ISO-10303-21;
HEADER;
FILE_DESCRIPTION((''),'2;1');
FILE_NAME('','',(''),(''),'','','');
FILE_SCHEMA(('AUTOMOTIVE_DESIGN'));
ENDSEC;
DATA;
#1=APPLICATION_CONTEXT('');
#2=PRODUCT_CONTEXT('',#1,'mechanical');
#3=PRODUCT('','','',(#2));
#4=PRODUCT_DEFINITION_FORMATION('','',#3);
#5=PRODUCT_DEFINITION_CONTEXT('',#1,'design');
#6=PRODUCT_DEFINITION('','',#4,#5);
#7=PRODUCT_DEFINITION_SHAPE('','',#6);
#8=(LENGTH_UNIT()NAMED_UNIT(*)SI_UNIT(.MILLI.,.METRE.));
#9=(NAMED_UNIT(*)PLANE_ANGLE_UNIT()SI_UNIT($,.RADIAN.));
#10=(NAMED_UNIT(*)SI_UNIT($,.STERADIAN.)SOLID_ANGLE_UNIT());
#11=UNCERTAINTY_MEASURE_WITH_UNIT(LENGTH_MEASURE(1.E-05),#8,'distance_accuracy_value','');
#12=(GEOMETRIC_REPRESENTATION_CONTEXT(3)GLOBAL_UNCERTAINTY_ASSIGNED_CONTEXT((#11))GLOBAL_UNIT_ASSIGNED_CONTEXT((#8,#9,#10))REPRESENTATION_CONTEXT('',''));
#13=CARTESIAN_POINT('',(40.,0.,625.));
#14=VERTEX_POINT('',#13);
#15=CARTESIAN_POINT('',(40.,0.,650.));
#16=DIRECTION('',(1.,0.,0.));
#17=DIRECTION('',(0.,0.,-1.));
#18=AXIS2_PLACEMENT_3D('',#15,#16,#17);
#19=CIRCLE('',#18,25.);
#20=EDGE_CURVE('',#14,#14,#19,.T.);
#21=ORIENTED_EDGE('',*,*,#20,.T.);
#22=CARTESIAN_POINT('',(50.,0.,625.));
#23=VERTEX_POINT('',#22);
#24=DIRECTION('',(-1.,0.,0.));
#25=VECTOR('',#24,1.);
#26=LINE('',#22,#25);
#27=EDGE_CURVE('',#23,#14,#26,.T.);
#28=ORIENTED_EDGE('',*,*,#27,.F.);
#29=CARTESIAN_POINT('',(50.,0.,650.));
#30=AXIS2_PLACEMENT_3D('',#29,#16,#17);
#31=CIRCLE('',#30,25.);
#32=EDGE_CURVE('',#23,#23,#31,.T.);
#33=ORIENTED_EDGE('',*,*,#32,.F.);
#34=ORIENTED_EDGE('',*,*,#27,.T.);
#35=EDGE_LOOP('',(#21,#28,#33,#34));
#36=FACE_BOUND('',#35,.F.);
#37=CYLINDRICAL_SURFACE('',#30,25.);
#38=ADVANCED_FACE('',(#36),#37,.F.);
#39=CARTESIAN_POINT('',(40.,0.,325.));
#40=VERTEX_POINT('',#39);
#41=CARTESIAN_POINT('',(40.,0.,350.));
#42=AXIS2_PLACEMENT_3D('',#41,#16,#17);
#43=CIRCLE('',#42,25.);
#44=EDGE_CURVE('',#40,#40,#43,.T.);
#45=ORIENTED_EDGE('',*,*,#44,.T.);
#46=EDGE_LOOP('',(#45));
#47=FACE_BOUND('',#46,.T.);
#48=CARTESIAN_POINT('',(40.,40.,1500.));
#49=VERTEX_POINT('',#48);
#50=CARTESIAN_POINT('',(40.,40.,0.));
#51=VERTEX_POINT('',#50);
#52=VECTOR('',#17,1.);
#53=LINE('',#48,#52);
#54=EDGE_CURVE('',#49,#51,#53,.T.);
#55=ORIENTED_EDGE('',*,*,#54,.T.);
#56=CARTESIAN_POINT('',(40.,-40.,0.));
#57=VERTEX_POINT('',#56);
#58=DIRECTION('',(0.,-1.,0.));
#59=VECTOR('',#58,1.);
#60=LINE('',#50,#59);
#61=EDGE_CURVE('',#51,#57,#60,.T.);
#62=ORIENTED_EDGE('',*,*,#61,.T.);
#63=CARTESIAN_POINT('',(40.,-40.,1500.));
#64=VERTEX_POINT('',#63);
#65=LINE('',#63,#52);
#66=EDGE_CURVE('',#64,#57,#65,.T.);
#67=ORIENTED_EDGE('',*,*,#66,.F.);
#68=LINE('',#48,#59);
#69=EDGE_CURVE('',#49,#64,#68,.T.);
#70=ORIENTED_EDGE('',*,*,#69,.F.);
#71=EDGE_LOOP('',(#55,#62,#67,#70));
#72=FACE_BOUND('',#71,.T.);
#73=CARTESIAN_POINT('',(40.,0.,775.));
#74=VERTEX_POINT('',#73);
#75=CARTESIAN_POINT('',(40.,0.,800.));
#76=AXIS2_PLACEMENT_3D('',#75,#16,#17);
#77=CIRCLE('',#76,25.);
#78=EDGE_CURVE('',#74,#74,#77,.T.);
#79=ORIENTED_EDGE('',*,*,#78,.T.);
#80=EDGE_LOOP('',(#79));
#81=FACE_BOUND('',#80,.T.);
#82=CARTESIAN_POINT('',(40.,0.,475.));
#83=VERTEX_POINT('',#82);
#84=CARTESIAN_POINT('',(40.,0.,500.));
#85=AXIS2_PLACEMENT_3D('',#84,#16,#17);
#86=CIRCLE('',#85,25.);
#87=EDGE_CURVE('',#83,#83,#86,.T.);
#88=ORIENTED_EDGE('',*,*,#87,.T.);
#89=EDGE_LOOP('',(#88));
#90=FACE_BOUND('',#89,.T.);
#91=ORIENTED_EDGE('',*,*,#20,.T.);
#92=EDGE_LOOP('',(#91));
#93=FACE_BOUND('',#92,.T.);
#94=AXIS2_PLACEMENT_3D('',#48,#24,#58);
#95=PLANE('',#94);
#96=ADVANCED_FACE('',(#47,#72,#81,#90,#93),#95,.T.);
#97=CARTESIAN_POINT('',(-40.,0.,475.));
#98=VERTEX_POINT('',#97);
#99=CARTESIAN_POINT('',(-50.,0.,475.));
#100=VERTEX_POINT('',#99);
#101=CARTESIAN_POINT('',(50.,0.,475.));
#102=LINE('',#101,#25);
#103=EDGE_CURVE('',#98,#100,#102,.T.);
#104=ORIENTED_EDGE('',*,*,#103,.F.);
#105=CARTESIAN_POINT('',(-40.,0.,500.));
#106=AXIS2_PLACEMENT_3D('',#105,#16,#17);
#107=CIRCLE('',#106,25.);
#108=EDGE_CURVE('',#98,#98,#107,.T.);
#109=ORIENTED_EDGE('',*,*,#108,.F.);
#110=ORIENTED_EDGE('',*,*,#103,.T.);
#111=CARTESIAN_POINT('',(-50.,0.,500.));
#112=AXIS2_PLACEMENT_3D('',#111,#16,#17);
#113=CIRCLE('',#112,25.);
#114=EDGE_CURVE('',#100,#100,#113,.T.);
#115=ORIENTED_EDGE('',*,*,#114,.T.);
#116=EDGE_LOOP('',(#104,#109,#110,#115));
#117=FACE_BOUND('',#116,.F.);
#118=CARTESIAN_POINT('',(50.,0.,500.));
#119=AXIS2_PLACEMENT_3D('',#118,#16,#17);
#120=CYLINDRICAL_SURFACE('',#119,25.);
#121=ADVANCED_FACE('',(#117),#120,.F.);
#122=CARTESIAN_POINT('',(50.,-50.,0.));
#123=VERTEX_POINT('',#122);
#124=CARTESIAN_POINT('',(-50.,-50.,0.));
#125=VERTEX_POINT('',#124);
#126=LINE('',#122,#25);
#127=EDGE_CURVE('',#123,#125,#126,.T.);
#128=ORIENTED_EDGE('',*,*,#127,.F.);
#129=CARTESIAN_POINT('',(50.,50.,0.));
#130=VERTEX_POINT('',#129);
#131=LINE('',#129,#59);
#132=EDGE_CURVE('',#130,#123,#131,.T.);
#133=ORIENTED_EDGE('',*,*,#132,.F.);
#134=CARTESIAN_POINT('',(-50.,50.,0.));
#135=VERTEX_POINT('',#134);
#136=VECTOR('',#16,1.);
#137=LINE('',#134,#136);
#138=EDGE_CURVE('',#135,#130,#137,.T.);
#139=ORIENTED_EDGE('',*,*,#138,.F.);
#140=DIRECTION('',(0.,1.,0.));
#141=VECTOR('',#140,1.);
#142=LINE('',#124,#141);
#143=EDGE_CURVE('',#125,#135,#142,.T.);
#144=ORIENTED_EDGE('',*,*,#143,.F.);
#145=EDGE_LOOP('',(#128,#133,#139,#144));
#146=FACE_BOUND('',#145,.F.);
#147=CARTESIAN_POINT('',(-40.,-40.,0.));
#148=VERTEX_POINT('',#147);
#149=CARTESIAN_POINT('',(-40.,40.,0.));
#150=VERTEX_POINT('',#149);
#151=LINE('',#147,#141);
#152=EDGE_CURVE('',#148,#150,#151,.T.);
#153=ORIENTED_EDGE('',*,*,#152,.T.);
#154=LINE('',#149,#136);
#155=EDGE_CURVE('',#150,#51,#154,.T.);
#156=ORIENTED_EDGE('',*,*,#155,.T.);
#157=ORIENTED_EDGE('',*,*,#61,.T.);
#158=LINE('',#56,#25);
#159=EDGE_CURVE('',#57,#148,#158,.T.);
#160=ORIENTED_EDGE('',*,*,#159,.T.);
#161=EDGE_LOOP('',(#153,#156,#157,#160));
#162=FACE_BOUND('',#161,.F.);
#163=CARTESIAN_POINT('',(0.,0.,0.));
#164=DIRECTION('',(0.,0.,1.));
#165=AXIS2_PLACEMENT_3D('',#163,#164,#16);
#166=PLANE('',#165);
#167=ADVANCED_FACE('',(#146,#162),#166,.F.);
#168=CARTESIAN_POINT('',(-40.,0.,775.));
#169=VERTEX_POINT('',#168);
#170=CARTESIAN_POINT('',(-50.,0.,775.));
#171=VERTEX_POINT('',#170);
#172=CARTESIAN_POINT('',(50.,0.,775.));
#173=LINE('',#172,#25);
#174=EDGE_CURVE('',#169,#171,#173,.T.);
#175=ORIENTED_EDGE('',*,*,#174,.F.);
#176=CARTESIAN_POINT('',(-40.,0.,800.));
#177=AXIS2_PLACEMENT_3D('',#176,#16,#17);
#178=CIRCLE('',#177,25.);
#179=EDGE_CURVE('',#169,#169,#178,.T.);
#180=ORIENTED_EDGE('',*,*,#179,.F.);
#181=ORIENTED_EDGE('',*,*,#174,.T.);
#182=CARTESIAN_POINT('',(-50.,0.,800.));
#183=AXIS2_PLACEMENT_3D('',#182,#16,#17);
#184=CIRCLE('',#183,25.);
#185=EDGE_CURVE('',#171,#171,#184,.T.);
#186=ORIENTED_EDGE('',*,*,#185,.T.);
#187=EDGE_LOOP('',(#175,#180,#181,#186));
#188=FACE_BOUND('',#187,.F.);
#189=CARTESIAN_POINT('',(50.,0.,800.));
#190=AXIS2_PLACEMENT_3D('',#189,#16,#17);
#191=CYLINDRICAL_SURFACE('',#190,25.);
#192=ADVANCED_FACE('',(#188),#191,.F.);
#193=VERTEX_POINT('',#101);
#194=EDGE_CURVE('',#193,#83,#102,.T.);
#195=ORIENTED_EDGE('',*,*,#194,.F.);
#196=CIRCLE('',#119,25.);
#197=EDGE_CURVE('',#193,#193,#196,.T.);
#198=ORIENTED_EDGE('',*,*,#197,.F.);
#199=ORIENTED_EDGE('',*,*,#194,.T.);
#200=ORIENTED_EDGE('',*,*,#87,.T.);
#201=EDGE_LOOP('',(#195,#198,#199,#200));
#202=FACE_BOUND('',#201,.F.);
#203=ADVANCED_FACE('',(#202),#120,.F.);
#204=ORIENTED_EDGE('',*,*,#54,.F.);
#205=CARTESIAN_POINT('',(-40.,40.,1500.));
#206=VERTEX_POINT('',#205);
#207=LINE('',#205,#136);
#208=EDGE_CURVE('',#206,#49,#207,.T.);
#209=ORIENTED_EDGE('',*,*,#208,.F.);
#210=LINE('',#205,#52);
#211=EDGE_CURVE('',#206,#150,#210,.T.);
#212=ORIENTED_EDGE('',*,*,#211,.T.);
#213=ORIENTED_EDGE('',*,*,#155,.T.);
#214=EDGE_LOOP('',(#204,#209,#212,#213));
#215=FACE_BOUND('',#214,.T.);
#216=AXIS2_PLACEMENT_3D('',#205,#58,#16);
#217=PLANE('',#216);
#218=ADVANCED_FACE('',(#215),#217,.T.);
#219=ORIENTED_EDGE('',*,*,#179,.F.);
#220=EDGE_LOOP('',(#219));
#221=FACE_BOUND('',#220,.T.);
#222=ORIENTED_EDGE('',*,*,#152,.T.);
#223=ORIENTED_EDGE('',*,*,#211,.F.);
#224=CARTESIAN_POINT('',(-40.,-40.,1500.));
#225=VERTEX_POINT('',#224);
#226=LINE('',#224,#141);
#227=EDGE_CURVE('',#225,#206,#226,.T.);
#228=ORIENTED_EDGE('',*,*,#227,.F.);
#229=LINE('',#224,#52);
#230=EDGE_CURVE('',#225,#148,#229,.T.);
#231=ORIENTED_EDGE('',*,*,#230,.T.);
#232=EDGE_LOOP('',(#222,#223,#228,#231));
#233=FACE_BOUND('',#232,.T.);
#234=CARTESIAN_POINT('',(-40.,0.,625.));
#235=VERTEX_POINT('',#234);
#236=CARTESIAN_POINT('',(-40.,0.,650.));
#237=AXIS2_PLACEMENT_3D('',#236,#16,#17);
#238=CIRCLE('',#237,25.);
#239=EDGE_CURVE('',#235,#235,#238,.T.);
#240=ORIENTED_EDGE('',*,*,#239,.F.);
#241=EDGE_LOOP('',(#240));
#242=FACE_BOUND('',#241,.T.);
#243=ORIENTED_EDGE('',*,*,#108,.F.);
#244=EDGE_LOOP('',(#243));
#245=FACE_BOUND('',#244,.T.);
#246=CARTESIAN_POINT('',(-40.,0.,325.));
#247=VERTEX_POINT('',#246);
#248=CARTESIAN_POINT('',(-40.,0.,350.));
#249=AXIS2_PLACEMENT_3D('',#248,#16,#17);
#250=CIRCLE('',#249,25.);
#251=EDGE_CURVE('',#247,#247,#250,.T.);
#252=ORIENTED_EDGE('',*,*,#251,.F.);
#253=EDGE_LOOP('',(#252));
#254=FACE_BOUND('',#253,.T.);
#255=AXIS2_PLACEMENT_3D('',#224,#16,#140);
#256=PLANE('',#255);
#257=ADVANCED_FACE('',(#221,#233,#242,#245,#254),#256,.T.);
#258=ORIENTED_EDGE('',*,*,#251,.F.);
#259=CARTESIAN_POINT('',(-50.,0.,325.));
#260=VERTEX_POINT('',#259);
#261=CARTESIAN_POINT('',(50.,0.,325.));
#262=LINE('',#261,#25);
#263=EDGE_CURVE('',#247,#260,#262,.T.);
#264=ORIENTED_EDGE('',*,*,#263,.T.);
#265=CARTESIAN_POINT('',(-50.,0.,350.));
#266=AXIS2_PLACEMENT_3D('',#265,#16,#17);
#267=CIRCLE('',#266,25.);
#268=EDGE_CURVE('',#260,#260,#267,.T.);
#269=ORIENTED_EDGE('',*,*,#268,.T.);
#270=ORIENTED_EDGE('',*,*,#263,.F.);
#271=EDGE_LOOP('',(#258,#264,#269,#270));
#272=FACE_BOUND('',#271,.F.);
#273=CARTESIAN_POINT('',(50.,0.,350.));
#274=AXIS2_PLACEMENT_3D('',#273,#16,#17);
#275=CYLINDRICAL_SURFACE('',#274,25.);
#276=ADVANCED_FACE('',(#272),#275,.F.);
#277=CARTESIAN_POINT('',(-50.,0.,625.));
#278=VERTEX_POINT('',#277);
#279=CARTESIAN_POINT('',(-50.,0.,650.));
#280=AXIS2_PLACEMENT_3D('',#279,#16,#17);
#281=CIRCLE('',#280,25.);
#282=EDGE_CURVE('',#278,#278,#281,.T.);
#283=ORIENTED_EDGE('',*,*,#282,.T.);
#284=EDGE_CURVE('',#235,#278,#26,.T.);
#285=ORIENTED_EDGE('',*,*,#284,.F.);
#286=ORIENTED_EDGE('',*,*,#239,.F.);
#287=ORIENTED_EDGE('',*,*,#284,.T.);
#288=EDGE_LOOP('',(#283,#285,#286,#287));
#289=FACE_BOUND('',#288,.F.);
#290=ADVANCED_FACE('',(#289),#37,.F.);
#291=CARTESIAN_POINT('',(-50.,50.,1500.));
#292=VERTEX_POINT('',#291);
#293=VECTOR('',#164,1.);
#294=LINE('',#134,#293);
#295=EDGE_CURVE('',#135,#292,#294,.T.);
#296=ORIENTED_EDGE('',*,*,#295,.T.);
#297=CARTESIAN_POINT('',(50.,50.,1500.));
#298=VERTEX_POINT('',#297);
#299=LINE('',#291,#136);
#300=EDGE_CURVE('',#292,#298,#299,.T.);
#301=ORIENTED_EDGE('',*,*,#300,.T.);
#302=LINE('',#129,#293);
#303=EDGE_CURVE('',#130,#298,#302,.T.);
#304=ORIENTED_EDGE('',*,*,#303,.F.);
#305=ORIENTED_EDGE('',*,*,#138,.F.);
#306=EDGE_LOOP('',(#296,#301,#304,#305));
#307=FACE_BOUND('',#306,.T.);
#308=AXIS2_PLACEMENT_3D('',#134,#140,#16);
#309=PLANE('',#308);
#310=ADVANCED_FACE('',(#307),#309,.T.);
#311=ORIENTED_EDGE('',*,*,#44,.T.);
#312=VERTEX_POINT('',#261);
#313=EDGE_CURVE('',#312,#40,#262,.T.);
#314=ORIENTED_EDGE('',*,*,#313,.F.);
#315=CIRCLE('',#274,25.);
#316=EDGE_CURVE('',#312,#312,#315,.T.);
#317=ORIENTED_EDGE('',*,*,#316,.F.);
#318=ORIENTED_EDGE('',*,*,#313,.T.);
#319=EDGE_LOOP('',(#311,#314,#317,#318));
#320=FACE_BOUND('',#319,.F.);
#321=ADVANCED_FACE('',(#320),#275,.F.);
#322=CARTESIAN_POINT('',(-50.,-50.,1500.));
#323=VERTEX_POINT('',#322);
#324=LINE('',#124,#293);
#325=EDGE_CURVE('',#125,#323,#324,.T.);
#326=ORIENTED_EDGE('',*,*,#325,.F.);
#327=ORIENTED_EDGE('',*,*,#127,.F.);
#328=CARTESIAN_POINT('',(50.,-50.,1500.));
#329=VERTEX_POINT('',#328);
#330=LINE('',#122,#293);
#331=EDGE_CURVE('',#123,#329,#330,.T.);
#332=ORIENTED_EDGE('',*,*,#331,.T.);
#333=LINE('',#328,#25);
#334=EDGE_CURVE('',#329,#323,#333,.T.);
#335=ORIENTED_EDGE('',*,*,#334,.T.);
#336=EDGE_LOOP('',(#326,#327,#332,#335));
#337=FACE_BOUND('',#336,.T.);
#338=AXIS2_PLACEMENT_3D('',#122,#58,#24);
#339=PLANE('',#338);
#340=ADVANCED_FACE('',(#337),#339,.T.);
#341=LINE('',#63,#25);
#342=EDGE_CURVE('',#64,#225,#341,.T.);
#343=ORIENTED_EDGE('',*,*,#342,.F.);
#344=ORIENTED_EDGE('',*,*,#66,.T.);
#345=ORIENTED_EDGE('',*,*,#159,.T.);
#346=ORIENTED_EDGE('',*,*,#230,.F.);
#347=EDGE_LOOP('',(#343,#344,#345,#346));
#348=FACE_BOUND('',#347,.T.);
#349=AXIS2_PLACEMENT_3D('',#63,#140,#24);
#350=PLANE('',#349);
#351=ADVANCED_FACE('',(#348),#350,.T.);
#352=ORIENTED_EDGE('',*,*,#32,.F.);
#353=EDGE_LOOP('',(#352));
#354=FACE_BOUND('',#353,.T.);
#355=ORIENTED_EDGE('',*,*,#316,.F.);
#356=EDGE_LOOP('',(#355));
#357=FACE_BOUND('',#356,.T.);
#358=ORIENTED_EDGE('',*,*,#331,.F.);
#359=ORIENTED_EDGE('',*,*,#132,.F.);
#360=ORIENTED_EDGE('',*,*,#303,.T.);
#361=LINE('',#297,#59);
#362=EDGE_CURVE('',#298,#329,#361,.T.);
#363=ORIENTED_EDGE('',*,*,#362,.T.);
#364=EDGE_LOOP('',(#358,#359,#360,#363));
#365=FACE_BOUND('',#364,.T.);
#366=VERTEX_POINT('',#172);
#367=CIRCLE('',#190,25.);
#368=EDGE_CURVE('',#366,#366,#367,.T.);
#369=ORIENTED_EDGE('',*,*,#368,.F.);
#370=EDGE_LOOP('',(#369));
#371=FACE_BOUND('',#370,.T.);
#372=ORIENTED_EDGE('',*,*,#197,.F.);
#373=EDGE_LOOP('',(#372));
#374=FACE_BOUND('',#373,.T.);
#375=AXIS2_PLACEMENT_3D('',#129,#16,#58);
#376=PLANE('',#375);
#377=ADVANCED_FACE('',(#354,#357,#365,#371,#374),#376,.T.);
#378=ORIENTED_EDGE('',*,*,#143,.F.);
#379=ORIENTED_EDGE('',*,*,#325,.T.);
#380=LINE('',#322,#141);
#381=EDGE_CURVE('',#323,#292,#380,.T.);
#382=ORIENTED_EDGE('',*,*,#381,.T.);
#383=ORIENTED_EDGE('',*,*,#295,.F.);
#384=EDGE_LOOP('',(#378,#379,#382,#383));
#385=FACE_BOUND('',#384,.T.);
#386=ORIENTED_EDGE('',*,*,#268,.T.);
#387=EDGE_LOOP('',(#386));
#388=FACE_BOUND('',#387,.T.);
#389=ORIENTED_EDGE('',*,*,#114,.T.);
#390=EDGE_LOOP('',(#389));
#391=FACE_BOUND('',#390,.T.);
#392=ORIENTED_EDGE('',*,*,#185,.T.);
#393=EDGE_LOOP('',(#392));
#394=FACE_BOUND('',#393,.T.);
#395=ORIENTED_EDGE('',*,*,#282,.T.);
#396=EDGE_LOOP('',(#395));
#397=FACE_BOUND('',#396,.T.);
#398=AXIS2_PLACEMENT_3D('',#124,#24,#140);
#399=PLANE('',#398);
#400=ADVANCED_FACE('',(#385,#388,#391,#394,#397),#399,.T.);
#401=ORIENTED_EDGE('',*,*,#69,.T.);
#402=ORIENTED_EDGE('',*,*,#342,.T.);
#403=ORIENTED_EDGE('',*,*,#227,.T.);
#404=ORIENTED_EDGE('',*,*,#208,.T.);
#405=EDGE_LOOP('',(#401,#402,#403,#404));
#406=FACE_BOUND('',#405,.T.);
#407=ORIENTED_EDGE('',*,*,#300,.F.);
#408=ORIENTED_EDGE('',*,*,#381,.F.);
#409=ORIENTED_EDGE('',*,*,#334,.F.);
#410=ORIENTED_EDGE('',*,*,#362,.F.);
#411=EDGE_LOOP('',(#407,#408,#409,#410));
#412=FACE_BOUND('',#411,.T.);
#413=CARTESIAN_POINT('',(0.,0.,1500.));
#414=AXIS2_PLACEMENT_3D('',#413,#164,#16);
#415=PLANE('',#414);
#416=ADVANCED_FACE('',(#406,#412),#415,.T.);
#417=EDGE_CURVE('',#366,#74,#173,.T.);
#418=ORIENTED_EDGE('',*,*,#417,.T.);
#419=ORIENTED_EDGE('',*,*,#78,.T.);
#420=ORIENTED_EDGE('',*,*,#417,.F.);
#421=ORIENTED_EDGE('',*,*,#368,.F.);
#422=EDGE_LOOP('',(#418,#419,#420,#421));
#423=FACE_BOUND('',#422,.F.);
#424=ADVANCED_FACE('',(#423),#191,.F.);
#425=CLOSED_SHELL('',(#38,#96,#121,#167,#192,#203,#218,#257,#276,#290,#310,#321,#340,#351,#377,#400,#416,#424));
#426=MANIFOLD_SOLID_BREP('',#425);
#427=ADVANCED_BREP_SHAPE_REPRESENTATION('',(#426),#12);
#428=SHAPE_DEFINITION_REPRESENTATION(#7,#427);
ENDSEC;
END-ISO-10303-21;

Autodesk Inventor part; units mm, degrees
ref_plane "YZ Plane" through (0, 0, 0) normal (1, 0, 0) x (0, 1, 0)
ref_plane "XZ Plane" through (0, 0, 0) normal (0, 1, 0) x (-1, 0, 0)
ref_plane "XY Plane" through (0, 0, 0) normal (0, 0, 1) x (1, 0, 0)
sketch "Sketch1" plane through (0, 0, 0) normal (0, 0, 1) x (1, 0, 0)
  line L0 (-50, 50) -> (50, 50)
  line L1 (50, 50) -> (50, -50)
  line L2 (50, -50) -> (-50, -50)
  line L3 (-50, -50) -> (-50, 50)
  line L4 (-50, 50) -> (50, -50) construction
  line L5 (50, 50) -> (-50, -50) construction
  point P0 (0, 0)
  dimension "d0" = 100
  dimension "d1" = 100
extrude "Extrusion1" add sketch "Sketch1" along normal blind 1500
sketch "Sketch2" plane through (0, 0, 1500) normal (0, 0, 1) x (1, 0, 0)
  line L0 (-40, 40) -> (40, 40)
  line L1 (40, 40) -> (40, -40)
  line L2 (40, -40) -> (-40, -40)
  line L3 (-40, -40) -> (-40, 40)
  line L4 (-40, 40) -> (40, -40) construction
  line L5 (40, 40) -> (-40, -40) construction
  point P0 (0, 0)
  dimension "d4" = 80
  dimension "d5" = 80
extrude "Extrusion2" cut sketch "Sketch2" against normal blind 1500
sketch "Sketch3" plane through (50, -50, 0) normal (1, 0, 0) x (0, 0, -1)
  line L0 (0, 100) -> (0, 0) projected
  circle A0 centre (-350, 50) radius 25
  circle A1 centre (-500, 50) radius 25
  circle A2 centre (-650, 50) radius 25
  circle A3 centre (-800, 50) radius 25
  point P0 (0, 50)
  dimension "d8" = 50
  dimension "d9" = 50
  dimension "d10" = 50
  dimension "d11" = 50
  dimension "d12" = 350
  dimension "d13" = 150
  dimension "d14" = 150
  dimension "d15" = 150
extrude "Extrusion3" cut sketch "Sketch3" against normal blind 1000
properties part number "atas 2"
